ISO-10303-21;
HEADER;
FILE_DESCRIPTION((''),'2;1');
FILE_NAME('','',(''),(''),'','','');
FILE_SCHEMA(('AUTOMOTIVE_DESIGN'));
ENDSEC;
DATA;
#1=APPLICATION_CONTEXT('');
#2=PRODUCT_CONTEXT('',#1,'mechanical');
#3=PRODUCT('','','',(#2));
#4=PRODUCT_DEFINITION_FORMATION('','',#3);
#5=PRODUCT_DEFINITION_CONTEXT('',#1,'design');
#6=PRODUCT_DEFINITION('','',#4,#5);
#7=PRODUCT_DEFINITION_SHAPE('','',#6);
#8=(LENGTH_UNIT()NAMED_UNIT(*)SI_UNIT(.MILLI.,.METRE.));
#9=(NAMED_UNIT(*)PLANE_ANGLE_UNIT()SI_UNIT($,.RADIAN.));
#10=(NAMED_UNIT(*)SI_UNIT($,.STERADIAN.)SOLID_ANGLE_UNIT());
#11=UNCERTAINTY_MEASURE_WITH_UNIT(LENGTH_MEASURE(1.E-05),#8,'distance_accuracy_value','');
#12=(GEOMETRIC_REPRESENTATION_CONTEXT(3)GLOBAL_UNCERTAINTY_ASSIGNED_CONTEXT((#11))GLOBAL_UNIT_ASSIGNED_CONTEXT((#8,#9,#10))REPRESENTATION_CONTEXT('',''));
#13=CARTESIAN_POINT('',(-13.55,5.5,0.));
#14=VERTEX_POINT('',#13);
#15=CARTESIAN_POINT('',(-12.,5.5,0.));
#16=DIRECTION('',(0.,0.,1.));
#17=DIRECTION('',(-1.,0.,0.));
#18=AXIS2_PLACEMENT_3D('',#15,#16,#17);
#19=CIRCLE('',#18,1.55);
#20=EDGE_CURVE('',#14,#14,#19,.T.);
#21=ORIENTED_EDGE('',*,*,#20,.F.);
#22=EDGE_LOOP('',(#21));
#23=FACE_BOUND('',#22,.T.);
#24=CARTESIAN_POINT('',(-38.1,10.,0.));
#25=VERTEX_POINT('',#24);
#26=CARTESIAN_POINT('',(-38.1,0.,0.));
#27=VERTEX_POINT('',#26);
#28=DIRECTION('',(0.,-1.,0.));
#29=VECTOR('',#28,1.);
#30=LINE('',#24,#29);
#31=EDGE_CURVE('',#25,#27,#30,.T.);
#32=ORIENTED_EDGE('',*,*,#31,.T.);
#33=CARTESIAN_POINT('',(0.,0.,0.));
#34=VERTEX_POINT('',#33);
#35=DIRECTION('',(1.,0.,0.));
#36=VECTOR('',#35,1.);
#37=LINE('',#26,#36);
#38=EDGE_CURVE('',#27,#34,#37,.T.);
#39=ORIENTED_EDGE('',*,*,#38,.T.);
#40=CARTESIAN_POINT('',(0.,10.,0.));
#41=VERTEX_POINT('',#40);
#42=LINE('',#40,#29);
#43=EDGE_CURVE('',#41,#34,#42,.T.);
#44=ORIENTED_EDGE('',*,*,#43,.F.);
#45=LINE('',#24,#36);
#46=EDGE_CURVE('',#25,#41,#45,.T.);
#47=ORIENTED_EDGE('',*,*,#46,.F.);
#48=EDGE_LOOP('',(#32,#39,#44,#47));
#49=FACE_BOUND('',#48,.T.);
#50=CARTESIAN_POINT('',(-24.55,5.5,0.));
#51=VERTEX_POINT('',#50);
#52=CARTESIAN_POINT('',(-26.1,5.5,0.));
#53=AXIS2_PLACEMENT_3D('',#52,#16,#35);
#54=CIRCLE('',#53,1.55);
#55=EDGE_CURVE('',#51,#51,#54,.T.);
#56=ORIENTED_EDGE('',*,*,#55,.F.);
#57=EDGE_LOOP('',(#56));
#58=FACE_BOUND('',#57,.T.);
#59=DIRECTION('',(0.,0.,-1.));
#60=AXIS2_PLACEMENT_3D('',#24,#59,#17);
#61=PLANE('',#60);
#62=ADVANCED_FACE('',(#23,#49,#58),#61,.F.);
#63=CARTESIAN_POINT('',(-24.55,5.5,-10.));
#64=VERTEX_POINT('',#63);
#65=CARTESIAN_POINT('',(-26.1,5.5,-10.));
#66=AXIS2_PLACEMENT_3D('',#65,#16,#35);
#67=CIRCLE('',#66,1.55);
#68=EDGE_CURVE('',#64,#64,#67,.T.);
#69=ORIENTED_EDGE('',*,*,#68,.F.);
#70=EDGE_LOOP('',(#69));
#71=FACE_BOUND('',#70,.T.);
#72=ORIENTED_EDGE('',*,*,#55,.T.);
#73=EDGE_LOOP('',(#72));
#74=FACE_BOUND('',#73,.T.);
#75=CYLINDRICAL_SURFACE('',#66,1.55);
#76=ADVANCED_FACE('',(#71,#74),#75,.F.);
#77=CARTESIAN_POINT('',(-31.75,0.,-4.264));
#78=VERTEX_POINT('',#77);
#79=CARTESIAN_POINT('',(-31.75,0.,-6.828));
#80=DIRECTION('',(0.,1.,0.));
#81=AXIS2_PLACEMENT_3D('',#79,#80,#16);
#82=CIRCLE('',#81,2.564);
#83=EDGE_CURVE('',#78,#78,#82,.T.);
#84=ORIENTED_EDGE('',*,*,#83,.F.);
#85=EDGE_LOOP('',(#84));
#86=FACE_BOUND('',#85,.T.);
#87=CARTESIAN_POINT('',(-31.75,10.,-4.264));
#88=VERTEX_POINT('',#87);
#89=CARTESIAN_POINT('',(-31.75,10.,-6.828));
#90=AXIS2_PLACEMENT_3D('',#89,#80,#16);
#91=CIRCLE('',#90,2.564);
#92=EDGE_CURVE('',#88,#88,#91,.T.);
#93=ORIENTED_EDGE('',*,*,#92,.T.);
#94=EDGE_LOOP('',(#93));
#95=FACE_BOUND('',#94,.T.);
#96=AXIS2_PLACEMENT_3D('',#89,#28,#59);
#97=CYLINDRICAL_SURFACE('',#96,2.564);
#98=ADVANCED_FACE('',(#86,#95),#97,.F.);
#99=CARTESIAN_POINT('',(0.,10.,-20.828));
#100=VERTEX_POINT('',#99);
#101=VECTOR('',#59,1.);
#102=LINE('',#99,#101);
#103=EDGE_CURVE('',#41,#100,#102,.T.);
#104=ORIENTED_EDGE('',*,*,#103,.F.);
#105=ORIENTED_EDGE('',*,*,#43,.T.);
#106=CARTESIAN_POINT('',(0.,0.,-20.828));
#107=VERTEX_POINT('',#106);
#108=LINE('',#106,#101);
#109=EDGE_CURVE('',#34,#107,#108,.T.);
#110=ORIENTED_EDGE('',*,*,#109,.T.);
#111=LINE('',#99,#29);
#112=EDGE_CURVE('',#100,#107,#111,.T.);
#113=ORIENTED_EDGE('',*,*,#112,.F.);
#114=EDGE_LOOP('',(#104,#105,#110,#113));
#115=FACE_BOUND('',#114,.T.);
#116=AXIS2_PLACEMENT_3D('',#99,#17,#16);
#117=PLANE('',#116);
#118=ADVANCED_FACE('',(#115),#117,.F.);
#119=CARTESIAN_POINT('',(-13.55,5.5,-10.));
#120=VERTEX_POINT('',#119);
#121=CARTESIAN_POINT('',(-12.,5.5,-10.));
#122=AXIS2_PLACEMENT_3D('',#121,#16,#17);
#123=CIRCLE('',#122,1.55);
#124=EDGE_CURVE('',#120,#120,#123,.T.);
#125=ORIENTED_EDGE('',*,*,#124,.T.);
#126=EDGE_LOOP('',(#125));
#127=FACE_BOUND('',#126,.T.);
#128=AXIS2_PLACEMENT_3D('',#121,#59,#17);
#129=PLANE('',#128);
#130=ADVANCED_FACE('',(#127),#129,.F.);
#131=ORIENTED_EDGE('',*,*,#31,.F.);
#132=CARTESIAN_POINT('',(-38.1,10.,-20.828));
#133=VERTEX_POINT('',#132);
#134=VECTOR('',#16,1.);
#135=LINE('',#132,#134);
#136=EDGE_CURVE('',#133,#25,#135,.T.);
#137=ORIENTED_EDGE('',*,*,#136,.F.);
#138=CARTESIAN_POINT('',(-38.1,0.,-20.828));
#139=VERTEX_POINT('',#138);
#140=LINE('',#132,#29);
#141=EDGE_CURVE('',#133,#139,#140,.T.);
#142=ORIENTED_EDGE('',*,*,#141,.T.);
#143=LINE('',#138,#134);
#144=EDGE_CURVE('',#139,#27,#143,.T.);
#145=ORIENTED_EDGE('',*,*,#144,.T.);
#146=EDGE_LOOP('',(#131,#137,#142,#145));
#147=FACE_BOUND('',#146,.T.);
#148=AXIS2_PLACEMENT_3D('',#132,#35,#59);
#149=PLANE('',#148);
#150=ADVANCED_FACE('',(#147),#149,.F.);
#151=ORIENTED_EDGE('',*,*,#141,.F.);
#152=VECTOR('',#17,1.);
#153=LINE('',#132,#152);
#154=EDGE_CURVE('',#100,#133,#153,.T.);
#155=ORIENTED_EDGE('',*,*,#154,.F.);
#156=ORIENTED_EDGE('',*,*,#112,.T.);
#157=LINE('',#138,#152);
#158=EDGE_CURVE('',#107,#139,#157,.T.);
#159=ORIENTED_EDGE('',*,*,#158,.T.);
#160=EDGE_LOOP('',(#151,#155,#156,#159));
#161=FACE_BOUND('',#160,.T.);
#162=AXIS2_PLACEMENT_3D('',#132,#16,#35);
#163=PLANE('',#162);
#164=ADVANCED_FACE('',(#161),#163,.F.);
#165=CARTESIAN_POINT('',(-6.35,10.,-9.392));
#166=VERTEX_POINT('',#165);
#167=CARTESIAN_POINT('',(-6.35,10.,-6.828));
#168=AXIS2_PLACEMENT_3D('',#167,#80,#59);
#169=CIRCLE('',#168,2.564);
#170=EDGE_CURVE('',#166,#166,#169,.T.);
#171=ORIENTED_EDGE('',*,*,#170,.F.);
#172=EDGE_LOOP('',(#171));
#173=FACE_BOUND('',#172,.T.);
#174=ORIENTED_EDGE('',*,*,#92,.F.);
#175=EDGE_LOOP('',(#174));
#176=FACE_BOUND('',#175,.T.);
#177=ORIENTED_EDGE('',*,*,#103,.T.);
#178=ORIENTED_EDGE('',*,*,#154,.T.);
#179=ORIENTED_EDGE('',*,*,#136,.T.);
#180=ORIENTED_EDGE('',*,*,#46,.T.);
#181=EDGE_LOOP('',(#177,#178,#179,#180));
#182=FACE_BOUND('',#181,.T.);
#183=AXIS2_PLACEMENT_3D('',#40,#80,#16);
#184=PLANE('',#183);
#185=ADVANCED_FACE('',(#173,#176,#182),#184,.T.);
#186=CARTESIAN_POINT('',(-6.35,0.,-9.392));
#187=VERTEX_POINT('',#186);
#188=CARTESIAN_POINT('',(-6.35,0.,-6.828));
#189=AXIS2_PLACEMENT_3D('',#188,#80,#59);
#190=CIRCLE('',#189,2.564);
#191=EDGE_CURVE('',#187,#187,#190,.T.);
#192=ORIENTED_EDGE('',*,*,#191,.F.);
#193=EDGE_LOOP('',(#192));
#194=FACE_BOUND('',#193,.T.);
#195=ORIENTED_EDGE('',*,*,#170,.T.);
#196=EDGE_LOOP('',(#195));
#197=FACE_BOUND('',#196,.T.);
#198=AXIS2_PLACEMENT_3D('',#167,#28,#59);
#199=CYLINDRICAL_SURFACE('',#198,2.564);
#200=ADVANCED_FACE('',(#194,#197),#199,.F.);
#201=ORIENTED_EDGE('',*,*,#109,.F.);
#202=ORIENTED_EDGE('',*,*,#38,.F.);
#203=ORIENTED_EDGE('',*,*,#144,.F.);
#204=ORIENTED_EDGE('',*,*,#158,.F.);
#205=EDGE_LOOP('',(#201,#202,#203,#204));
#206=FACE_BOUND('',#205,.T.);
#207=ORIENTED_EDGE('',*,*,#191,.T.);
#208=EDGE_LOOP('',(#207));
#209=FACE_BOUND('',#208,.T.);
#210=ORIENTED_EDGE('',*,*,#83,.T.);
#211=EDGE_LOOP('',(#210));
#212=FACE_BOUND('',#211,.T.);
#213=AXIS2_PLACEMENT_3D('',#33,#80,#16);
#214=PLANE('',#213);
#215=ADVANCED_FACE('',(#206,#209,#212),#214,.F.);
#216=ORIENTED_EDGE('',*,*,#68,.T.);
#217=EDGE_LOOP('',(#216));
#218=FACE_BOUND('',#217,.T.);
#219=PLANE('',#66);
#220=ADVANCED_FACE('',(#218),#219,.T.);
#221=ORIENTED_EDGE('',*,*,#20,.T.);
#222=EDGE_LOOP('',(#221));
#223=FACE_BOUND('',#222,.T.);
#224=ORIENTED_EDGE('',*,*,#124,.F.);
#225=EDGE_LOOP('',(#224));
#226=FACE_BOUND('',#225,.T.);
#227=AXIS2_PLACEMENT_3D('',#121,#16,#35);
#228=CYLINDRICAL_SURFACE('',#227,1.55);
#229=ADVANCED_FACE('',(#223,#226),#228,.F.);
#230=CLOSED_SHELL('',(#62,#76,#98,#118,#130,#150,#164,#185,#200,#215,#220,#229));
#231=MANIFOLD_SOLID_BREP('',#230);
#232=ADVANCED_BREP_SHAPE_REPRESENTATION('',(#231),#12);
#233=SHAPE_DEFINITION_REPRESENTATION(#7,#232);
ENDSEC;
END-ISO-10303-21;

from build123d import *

# Parameters (mm, degrees)
SKETCH1_W           = 38.1
SKETCH1_H           = 20.828
SKETCH1_R           = 2.564
BOSS_EXTRUDE1_DEPTH = 10
SKETCH2_R           = 1.55
CUT_EXTRUDE1_DEPTH  = 10


with BuildPart() as part:
    # Sketch1 → Boss-Extrude1 (new body)
    with BuildSketch(Plane(origin=(0, 0, 0), x_dir=(1, 0, 0), z_dir=(0, 1, 0))):
        with Locations((-19.05, 10.414)):
            Rectangle(SKETCH1_W, SKETCH1_H)
        with Locations(Location((-31.75, 6.828, 0), (0, 0, 270))):
            Circle(SKETCH1_R, mode=Mode.SUBTRACT)
        with Locations(Location((-6.35, 6.828, 0), (0, 0, 90))):
            Circle(SKETCH1_R, mode=Mode.SUBTRACT)
    extrude(amount=BOSS_EXTRUDE1_DEPTH)

    # Sketch2 → Cut-Extrude1 (cut)
    with BuildSketch(Plane.XY):
        with Locations((-26.1, 5.5)):
            Circle(SKETCH2_R)
        with Locations(Location((-12, 5.5, 0), (0, 0, 180))):
            Circle(SKETCH2_R)
    extrude(amount=-CUT_EXTRUDE1_DEPTH, mode=Mode.SUBTRACT)


solid = part.part
